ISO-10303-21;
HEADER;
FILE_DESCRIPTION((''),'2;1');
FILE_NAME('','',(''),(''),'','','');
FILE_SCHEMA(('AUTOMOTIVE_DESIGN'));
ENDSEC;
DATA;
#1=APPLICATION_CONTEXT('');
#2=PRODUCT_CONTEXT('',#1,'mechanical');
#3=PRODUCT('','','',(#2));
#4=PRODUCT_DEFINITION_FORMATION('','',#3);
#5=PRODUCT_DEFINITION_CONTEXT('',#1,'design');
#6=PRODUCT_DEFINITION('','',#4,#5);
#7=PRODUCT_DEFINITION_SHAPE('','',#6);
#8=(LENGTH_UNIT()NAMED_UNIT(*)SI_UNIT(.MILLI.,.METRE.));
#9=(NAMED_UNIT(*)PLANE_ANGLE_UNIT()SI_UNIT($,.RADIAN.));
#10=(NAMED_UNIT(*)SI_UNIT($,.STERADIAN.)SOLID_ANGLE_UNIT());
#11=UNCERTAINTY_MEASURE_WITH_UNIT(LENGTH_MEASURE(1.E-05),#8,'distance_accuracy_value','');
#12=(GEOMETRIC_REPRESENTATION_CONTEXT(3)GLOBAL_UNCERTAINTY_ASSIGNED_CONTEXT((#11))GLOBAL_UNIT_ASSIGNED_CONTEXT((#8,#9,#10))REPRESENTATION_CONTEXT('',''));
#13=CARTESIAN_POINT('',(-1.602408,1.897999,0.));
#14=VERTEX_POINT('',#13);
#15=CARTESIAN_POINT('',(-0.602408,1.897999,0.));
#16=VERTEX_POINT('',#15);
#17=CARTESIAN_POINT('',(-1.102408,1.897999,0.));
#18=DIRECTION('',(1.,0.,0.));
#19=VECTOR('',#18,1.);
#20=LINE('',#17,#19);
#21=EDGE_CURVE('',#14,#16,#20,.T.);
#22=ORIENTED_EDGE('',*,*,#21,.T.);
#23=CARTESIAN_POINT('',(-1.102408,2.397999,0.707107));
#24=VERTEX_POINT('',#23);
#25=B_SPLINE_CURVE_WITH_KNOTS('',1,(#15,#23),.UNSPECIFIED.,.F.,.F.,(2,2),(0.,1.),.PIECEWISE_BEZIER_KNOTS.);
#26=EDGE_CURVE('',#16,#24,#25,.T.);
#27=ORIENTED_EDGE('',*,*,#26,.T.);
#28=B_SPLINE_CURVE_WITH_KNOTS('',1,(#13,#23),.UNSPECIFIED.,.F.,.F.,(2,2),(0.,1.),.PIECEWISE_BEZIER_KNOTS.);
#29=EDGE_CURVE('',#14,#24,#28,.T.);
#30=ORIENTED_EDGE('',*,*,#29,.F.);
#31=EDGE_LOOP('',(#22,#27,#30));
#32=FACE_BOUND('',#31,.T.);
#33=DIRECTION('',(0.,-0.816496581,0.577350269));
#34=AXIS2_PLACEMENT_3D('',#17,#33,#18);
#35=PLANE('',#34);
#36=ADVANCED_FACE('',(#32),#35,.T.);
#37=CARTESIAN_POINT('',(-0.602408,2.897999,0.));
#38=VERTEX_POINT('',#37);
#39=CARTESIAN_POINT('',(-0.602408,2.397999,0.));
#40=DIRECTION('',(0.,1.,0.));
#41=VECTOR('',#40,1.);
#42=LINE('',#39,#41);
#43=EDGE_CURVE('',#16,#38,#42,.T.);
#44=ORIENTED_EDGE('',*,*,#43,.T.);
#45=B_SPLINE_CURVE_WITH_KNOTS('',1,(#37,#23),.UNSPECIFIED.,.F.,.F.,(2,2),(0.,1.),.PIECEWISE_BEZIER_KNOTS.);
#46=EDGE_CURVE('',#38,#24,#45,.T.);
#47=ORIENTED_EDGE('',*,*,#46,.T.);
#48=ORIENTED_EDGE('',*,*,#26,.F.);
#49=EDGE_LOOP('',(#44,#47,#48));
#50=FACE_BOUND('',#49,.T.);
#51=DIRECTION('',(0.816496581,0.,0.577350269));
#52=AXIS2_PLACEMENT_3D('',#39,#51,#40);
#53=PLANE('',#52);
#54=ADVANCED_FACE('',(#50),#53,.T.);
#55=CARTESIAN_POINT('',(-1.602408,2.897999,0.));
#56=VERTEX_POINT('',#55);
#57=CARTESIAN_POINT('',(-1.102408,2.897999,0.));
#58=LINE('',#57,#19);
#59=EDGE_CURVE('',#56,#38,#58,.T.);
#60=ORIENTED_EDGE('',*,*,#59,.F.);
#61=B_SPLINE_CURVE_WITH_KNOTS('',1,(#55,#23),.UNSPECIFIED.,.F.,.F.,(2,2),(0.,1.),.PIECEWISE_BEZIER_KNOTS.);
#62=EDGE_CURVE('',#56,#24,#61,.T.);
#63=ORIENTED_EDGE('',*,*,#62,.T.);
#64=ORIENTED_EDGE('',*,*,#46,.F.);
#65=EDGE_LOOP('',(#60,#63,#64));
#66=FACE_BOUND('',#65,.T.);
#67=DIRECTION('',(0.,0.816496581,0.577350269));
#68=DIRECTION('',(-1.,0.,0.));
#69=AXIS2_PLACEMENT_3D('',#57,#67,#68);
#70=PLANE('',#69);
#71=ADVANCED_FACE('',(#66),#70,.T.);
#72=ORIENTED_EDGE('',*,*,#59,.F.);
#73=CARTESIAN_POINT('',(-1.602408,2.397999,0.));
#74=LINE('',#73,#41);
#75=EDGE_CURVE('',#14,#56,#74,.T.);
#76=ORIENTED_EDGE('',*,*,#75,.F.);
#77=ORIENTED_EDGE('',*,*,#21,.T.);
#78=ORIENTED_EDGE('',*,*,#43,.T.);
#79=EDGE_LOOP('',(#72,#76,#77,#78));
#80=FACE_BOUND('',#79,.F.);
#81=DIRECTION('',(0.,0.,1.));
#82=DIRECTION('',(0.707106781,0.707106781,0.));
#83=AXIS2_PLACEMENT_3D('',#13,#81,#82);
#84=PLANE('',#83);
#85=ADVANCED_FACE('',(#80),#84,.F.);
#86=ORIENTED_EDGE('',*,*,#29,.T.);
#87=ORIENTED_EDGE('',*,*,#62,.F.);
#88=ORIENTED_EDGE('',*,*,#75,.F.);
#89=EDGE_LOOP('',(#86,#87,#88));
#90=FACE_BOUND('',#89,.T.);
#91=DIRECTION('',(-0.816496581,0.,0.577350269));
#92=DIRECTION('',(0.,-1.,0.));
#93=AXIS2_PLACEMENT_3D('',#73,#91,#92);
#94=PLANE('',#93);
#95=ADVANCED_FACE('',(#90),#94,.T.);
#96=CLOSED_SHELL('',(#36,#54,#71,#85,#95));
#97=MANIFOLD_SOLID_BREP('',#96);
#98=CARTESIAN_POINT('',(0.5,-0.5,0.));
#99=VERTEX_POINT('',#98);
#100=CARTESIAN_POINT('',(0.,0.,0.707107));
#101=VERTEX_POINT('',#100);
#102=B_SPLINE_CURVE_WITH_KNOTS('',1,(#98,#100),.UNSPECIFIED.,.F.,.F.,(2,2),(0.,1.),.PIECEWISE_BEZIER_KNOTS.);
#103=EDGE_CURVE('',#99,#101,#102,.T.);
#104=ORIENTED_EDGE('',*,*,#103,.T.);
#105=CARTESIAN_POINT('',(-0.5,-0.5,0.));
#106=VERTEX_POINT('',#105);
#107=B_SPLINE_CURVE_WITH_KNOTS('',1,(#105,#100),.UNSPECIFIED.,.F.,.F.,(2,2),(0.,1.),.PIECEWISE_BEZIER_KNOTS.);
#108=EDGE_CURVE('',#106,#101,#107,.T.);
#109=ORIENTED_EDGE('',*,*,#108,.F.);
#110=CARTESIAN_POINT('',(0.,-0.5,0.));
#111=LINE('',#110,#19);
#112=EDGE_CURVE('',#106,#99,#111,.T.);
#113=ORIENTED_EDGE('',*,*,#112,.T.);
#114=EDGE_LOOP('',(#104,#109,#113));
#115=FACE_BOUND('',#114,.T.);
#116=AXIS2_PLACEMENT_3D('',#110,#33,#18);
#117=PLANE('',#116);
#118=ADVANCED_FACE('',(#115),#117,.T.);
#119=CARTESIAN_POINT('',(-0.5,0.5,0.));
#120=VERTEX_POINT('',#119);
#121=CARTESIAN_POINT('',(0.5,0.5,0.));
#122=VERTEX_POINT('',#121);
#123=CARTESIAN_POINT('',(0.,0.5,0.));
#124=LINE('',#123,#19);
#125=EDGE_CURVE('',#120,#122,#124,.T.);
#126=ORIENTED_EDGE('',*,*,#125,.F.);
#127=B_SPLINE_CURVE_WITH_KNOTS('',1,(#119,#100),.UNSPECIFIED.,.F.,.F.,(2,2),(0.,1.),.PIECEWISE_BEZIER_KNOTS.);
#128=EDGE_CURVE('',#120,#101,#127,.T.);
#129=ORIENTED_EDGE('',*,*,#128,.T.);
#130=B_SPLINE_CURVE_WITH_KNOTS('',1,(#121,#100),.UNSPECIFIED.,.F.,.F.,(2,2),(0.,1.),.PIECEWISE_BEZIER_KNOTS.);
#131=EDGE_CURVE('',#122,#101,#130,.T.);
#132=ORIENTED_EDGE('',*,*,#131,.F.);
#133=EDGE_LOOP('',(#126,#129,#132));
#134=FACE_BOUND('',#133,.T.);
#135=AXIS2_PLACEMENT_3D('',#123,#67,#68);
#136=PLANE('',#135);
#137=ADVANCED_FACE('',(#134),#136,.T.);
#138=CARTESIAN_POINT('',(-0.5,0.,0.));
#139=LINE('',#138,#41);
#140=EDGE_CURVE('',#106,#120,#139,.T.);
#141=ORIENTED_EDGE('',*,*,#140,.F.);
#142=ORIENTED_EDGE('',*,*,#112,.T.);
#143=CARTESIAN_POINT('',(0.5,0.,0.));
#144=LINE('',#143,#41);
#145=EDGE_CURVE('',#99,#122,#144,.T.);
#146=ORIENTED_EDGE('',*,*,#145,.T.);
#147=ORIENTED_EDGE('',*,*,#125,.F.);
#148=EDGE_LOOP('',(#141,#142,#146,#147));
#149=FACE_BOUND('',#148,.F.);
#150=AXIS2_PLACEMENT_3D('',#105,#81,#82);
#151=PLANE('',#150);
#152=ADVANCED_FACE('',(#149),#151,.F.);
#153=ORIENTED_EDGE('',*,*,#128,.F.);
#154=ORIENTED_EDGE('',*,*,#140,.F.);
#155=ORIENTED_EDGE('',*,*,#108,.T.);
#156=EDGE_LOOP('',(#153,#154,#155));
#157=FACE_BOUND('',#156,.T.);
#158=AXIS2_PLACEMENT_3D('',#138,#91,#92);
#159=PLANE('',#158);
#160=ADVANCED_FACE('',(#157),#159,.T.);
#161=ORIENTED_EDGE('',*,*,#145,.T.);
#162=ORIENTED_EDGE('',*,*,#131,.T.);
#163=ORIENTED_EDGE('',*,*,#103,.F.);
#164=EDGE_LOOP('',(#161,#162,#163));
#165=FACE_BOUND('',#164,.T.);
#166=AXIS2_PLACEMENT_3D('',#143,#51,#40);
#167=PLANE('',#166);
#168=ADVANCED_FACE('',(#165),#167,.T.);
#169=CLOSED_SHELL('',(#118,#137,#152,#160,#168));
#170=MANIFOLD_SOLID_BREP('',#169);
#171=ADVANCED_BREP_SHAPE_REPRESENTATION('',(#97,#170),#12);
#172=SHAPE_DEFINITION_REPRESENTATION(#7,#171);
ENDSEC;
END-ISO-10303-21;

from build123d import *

# Parameters (mm, degrees)
F0_W = 1
F0_H = 1
F7_W = 1
F7_H = 1


with BuildPart() as f6:
    # F0 (on Top) → F6 section 0
    with BuildSketch(Plane.XY, mode=Mode.PRIVATE) as f6_s0:
        Rectangle(F0_W, F0_H)
    loft([f6_s0.sketch, Vertex(0, 0, 0.7071067812)])


with BuildPart() as f10:
    # F7 (on Top) → F10 section 0
    with BuildSketch(Plane.XY, mode=Mode.PRIVATE) as f10_s0:
        with Locations((-1.1024075793, 2.3979991106)):
            Rectangle(F7_W, F7_H)
    loft([f10_s0.sketch, Vertex(-1.1024075793, 2.3979991106, 0.7071067812)])


solid = Compound([f6.part, f10.part])
